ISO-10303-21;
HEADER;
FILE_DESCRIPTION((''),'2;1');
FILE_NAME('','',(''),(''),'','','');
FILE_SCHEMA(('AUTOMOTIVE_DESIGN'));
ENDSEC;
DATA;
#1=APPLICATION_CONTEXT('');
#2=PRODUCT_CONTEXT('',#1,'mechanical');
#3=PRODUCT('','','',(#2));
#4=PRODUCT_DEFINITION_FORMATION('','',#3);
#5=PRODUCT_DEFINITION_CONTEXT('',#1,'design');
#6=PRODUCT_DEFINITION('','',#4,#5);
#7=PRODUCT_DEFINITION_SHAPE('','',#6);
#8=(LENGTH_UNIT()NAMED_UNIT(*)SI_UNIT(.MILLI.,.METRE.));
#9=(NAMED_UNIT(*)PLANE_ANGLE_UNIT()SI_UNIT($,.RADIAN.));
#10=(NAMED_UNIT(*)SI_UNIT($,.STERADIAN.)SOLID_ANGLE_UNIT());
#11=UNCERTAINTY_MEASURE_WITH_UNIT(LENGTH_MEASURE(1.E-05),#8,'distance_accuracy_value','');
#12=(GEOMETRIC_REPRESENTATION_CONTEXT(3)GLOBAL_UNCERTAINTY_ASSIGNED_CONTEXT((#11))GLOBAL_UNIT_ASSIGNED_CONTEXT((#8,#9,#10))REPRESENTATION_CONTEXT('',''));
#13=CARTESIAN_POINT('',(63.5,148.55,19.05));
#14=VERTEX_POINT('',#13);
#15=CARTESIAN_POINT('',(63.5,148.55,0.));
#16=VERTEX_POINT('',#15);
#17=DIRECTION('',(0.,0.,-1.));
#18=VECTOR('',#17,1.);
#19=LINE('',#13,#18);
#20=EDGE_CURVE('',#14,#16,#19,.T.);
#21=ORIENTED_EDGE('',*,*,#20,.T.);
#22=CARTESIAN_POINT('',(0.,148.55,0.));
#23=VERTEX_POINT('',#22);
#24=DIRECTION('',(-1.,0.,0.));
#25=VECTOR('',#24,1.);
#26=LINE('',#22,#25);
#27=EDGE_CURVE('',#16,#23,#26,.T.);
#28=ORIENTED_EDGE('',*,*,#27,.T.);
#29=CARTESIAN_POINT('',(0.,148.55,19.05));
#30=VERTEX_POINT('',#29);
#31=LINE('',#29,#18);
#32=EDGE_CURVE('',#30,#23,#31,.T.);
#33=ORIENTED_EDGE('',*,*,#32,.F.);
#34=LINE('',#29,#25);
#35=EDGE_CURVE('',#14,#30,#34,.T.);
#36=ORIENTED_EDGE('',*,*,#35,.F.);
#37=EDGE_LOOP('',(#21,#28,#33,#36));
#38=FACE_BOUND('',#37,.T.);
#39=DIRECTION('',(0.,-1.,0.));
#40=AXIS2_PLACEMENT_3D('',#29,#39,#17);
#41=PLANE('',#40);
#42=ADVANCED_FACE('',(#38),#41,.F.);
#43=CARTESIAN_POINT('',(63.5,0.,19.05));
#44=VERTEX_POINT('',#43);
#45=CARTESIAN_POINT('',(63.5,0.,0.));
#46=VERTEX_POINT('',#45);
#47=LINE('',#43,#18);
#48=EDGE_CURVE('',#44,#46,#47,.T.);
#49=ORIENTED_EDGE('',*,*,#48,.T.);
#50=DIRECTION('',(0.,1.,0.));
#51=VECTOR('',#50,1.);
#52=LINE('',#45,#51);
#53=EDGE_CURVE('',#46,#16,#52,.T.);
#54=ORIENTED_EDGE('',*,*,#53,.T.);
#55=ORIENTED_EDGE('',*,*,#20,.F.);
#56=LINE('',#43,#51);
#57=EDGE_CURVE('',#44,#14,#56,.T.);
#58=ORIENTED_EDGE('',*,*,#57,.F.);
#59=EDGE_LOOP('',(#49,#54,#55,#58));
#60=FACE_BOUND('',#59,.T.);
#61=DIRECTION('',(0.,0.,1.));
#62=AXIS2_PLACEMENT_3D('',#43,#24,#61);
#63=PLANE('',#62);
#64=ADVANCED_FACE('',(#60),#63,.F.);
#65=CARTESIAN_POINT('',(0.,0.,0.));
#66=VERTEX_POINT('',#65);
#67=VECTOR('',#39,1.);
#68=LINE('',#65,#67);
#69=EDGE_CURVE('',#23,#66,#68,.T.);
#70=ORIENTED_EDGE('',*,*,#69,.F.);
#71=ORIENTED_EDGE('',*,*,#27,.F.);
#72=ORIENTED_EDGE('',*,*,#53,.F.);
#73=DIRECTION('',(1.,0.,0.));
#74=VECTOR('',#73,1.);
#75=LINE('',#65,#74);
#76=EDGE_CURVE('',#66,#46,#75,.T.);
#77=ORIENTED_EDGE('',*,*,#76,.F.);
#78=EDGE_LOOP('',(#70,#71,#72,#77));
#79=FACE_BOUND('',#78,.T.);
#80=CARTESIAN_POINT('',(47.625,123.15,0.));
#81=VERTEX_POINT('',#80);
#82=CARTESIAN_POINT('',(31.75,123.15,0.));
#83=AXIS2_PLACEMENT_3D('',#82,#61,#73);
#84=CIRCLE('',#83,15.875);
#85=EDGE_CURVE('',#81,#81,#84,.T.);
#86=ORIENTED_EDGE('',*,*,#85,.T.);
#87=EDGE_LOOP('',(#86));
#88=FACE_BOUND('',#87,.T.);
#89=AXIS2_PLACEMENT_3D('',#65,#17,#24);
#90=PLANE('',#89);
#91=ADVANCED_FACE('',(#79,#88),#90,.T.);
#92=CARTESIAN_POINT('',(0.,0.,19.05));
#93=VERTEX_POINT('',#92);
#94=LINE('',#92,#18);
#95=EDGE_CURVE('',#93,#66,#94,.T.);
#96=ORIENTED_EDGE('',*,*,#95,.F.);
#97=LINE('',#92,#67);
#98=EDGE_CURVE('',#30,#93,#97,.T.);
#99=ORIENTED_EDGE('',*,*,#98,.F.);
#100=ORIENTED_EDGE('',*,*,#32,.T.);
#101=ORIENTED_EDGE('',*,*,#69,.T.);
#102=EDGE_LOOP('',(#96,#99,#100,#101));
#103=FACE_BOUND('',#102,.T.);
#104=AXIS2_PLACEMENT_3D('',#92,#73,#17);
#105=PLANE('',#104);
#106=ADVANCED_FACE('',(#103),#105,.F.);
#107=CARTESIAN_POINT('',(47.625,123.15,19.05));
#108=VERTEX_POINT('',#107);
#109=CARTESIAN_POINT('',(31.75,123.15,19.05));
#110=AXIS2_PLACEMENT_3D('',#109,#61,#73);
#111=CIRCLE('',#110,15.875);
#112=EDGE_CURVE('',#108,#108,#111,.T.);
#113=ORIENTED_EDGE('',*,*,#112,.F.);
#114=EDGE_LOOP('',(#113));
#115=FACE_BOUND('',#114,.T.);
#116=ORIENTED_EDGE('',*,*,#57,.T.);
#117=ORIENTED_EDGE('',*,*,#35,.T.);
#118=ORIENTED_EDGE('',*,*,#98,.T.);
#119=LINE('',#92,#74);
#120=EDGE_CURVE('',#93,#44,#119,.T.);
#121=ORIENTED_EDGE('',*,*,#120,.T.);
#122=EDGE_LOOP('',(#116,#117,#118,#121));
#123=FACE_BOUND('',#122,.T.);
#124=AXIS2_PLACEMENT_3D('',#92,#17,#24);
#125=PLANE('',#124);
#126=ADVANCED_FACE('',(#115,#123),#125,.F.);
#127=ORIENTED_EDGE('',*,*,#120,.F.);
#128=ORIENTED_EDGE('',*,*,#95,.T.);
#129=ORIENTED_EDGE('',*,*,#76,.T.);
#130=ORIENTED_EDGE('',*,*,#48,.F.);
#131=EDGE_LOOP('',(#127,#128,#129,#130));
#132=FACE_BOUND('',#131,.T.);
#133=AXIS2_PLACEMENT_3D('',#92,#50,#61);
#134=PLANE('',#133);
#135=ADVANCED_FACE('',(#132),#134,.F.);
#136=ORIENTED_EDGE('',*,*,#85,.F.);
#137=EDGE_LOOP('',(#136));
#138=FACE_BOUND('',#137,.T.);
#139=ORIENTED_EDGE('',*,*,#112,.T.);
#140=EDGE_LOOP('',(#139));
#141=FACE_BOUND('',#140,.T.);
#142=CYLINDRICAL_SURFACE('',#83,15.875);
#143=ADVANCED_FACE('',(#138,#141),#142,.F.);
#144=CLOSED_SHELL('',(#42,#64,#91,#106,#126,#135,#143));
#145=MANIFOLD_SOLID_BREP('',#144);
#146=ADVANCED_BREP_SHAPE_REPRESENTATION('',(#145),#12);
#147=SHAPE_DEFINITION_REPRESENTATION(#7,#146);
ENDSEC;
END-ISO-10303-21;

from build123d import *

# Parameters (mm, degrees)
CROQUIS1_W              = 63.5
CROQUIS1_H              = 148.55
SALIENTE_EXTRUIR1_DEPTH = 19.05
CROQUIS2_R              = 15.875
CORTAR_EXTRUIR1_DEPTH   = 19.05


with BuildPart() as part:
    # Croquis1 → Saliente-Extruir1 (new body)
    with BuildSketch(Plane.XY):
        with Locations((31.75, 74.275)):
            Rectangle(CROQUIS1_W, CROQUIS1_H)
    extrude(amount=SALIENTE_EXTRUIR1_DEPTH)

    # Croquis2 → Cortar-Extruir1 (cut)
    with BuildSketch(Plane.XY.offset(19.05)):
        with Locations((31.75, 123.15)):
            Circle(CROQUIS2_R)
    extrude(amount=-CORTAR_EXTRUIR1_DEPTH, mode=Mode.SUBTRACT)


solid = part.part
